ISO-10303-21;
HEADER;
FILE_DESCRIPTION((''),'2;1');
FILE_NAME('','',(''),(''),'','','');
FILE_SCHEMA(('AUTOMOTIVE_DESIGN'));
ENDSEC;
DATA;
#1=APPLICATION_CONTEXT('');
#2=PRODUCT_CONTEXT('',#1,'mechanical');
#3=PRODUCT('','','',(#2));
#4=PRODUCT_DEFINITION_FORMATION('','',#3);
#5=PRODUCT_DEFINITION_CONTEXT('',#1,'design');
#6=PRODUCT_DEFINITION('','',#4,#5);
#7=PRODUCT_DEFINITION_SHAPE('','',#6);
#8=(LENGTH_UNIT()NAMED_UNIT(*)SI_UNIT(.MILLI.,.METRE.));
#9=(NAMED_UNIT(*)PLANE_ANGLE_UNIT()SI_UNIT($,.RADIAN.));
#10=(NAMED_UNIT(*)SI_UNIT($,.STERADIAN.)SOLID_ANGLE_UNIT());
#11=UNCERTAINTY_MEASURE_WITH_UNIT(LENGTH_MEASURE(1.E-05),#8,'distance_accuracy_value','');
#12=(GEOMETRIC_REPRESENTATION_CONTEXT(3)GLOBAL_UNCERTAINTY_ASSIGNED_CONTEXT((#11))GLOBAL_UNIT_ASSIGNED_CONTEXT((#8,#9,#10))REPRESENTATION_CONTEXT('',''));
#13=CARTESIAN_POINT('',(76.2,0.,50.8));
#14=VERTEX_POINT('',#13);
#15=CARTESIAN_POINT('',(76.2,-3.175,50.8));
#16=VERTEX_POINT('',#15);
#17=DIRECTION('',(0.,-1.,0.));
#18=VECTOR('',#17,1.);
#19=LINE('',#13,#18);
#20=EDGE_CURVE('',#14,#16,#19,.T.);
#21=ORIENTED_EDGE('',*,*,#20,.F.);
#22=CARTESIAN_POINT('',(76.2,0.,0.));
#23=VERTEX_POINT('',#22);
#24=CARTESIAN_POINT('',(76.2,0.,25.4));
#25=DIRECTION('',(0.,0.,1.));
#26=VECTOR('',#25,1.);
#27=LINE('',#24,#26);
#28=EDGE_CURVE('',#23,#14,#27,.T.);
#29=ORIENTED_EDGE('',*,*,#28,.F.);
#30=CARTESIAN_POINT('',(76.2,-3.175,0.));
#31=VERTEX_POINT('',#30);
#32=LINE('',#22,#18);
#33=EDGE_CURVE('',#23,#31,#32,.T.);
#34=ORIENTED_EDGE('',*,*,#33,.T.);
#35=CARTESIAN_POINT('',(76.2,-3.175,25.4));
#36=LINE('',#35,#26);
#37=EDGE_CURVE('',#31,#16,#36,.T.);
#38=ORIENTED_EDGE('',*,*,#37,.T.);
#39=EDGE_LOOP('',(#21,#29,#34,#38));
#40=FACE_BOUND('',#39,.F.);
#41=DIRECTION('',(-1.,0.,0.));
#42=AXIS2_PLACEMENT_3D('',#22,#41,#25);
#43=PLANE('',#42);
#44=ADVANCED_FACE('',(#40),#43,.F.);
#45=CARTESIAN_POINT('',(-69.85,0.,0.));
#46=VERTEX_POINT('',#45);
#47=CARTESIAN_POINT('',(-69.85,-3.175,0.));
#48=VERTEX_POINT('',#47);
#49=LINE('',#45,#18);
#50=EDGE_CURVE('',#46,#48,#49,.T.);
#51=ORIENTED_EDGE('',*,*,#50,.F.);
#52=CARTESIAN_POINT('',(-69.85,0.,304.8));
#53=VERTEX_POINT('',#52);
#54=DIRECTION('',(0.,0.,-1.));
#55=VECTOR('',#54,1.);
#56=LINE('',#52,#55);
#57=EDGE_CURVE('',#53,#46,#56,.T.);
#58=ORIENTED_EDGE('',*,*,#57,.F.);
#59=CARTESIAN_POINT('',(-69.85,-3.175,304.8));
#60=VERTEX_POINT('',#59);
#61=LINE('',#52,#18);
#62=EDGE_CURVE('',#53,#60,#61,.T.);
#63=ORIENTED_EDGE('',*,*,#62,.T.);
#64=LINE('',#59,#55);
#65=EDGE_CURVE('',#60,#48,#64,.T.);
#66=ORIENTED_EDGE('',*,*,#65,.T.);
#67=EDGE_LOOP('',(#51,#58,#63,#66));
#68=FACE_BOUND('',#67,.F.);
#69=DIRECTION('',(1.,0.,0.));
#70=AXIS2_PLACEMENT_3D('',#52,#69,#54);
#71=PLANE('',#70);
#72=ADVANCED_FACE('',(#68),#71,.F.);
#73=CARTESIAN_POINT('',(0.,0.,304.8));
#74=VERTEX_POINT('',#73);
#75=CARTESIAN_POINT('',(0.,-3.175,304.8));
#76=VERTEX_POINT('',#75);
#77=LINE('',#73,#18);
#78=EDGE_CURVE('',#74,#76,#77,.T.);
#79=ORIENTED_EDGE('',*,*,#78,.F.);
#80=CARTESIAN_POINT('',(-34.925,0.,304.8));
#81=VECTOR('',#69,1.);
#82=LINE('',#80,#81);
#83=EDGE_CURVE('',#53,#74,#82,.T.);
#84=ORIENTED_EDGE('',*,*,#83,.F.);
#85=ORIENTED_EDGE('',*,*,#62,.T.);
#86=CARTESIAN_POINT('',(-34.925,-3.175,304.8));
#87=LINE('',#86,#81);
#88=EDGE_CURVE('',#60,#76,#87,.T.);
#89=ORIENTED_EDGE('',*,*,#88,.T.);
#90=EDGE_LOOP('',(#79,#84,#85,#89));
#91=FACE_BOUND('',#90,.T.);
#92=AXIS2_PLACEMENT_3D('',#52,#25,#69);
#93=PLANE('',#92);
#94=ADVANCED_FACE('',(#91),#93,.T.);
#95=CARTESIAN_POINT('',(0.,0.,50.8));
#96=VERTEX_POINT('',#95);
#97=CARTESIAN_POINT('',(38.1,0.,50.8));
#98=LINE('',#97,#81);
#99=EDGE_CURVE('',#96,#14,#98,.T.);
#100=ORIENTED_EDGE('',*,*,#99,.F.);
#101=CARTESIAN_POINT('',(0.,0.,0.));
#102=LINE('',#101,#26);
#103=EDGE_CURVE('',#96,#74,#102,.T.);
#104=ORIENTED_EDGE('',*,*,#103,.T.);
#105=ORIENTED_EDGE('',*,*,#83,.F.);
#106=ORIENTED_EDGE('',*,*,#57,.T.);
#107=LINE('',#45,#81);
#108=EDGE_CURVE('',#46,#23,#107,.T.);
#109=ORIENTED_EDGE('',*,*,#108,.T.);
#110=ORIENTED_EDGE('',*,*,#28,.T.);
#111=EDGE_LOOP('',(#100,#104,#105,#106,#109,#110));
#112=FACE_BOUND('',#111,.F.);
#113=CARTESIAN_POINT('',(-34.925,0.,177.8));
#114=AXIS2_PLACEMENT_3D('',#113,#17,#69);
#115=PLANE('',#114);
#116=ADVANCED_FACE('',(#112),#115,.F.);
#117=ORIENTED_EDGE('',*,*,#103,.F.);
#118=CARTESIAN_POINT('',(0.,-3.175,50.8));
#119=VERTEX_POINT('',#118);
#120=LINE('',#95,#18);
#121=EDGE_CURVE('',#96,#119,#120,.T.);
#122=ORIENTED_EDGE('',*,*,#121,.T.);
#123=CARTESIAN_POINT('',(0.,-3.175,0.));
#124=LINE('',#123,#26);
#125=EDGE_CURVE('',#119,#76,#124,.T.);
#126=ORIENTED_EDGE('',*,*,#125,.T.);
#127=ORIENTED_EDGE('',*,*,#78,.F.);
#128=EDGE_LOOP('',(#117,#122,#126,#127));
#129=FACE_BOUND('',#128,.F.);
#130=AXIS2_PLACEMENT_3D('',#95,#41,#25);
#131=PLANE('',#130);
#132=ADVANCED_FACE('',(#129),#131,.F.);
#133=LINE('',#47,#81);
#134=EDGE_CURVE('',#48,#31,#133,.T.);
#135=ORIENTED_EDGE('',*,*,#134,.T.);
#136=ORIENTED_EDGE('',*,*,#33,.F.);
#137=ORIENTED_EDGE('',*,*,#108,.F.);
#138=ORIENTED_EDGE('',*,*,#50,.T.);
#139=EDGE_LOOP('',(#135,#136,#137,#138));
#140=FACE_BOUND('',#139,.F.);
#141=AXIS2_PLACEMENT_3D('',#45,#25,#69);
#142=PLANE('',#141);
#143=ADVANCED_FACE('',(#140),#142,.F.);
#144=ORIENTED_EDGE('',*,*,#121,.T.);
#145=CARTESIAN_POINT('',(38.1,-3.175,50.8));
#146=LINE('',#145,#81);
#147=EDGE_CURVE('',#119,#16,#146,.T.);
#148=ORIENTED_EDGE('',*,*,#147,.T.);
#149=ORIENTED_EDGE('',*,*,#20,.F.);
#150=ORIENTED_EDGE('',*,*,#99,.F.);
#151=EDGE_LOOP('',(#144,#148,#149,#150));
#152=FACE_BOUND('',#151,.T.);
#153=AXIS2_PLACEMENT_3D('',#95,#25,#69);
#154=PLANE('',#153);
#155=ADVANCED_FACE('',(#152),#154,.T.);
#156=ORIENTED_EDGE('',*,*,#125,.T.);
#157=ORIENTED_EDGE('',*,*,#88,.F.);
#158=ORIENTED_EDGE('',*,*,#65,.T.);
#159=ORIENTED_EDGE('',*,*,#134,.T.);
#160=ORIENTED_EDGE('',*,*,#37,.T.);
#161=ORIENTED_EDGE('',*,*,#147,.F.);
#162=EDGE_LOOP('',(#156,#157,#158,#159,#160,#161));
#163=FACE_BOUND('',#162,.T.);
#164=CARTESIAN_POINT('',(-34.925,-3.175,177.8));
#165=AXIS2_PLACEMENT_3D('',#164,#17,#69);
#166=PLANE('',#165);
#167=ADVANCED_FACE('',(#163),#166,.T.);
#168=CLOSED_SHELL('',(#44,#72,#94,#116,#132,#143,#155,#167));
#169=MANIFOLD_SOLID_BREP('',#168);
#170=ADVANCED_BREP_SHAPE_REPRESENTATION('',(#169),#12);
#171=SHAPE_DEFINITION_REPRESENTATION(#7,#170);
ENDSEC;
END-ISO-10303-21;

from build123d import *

# Parameters (mm, degrees)
F0_W     = 69.85
F0_H     = 254
F0_H_2   = 50.8
F0_W_2   = 76.2
F1_DEPTH = 3.175


with BuildPart() as f1:
    # F0 (on Front) → F1 (new body)
    with BuildSketch(Plane.XZ):
        with Locations((-34.925, 177.8)):
            Rectangle(F0_W, F0_H)
        with Locations((-34.925, 25.4)):
            Rectangle(F0_W, F0_H_2)
        with Locations((38.1, 25.4)):
            Rectangle(F0_W_2, F0_H_2)
    extrude(amount=F1_DEPTH)


solid = f1.part
